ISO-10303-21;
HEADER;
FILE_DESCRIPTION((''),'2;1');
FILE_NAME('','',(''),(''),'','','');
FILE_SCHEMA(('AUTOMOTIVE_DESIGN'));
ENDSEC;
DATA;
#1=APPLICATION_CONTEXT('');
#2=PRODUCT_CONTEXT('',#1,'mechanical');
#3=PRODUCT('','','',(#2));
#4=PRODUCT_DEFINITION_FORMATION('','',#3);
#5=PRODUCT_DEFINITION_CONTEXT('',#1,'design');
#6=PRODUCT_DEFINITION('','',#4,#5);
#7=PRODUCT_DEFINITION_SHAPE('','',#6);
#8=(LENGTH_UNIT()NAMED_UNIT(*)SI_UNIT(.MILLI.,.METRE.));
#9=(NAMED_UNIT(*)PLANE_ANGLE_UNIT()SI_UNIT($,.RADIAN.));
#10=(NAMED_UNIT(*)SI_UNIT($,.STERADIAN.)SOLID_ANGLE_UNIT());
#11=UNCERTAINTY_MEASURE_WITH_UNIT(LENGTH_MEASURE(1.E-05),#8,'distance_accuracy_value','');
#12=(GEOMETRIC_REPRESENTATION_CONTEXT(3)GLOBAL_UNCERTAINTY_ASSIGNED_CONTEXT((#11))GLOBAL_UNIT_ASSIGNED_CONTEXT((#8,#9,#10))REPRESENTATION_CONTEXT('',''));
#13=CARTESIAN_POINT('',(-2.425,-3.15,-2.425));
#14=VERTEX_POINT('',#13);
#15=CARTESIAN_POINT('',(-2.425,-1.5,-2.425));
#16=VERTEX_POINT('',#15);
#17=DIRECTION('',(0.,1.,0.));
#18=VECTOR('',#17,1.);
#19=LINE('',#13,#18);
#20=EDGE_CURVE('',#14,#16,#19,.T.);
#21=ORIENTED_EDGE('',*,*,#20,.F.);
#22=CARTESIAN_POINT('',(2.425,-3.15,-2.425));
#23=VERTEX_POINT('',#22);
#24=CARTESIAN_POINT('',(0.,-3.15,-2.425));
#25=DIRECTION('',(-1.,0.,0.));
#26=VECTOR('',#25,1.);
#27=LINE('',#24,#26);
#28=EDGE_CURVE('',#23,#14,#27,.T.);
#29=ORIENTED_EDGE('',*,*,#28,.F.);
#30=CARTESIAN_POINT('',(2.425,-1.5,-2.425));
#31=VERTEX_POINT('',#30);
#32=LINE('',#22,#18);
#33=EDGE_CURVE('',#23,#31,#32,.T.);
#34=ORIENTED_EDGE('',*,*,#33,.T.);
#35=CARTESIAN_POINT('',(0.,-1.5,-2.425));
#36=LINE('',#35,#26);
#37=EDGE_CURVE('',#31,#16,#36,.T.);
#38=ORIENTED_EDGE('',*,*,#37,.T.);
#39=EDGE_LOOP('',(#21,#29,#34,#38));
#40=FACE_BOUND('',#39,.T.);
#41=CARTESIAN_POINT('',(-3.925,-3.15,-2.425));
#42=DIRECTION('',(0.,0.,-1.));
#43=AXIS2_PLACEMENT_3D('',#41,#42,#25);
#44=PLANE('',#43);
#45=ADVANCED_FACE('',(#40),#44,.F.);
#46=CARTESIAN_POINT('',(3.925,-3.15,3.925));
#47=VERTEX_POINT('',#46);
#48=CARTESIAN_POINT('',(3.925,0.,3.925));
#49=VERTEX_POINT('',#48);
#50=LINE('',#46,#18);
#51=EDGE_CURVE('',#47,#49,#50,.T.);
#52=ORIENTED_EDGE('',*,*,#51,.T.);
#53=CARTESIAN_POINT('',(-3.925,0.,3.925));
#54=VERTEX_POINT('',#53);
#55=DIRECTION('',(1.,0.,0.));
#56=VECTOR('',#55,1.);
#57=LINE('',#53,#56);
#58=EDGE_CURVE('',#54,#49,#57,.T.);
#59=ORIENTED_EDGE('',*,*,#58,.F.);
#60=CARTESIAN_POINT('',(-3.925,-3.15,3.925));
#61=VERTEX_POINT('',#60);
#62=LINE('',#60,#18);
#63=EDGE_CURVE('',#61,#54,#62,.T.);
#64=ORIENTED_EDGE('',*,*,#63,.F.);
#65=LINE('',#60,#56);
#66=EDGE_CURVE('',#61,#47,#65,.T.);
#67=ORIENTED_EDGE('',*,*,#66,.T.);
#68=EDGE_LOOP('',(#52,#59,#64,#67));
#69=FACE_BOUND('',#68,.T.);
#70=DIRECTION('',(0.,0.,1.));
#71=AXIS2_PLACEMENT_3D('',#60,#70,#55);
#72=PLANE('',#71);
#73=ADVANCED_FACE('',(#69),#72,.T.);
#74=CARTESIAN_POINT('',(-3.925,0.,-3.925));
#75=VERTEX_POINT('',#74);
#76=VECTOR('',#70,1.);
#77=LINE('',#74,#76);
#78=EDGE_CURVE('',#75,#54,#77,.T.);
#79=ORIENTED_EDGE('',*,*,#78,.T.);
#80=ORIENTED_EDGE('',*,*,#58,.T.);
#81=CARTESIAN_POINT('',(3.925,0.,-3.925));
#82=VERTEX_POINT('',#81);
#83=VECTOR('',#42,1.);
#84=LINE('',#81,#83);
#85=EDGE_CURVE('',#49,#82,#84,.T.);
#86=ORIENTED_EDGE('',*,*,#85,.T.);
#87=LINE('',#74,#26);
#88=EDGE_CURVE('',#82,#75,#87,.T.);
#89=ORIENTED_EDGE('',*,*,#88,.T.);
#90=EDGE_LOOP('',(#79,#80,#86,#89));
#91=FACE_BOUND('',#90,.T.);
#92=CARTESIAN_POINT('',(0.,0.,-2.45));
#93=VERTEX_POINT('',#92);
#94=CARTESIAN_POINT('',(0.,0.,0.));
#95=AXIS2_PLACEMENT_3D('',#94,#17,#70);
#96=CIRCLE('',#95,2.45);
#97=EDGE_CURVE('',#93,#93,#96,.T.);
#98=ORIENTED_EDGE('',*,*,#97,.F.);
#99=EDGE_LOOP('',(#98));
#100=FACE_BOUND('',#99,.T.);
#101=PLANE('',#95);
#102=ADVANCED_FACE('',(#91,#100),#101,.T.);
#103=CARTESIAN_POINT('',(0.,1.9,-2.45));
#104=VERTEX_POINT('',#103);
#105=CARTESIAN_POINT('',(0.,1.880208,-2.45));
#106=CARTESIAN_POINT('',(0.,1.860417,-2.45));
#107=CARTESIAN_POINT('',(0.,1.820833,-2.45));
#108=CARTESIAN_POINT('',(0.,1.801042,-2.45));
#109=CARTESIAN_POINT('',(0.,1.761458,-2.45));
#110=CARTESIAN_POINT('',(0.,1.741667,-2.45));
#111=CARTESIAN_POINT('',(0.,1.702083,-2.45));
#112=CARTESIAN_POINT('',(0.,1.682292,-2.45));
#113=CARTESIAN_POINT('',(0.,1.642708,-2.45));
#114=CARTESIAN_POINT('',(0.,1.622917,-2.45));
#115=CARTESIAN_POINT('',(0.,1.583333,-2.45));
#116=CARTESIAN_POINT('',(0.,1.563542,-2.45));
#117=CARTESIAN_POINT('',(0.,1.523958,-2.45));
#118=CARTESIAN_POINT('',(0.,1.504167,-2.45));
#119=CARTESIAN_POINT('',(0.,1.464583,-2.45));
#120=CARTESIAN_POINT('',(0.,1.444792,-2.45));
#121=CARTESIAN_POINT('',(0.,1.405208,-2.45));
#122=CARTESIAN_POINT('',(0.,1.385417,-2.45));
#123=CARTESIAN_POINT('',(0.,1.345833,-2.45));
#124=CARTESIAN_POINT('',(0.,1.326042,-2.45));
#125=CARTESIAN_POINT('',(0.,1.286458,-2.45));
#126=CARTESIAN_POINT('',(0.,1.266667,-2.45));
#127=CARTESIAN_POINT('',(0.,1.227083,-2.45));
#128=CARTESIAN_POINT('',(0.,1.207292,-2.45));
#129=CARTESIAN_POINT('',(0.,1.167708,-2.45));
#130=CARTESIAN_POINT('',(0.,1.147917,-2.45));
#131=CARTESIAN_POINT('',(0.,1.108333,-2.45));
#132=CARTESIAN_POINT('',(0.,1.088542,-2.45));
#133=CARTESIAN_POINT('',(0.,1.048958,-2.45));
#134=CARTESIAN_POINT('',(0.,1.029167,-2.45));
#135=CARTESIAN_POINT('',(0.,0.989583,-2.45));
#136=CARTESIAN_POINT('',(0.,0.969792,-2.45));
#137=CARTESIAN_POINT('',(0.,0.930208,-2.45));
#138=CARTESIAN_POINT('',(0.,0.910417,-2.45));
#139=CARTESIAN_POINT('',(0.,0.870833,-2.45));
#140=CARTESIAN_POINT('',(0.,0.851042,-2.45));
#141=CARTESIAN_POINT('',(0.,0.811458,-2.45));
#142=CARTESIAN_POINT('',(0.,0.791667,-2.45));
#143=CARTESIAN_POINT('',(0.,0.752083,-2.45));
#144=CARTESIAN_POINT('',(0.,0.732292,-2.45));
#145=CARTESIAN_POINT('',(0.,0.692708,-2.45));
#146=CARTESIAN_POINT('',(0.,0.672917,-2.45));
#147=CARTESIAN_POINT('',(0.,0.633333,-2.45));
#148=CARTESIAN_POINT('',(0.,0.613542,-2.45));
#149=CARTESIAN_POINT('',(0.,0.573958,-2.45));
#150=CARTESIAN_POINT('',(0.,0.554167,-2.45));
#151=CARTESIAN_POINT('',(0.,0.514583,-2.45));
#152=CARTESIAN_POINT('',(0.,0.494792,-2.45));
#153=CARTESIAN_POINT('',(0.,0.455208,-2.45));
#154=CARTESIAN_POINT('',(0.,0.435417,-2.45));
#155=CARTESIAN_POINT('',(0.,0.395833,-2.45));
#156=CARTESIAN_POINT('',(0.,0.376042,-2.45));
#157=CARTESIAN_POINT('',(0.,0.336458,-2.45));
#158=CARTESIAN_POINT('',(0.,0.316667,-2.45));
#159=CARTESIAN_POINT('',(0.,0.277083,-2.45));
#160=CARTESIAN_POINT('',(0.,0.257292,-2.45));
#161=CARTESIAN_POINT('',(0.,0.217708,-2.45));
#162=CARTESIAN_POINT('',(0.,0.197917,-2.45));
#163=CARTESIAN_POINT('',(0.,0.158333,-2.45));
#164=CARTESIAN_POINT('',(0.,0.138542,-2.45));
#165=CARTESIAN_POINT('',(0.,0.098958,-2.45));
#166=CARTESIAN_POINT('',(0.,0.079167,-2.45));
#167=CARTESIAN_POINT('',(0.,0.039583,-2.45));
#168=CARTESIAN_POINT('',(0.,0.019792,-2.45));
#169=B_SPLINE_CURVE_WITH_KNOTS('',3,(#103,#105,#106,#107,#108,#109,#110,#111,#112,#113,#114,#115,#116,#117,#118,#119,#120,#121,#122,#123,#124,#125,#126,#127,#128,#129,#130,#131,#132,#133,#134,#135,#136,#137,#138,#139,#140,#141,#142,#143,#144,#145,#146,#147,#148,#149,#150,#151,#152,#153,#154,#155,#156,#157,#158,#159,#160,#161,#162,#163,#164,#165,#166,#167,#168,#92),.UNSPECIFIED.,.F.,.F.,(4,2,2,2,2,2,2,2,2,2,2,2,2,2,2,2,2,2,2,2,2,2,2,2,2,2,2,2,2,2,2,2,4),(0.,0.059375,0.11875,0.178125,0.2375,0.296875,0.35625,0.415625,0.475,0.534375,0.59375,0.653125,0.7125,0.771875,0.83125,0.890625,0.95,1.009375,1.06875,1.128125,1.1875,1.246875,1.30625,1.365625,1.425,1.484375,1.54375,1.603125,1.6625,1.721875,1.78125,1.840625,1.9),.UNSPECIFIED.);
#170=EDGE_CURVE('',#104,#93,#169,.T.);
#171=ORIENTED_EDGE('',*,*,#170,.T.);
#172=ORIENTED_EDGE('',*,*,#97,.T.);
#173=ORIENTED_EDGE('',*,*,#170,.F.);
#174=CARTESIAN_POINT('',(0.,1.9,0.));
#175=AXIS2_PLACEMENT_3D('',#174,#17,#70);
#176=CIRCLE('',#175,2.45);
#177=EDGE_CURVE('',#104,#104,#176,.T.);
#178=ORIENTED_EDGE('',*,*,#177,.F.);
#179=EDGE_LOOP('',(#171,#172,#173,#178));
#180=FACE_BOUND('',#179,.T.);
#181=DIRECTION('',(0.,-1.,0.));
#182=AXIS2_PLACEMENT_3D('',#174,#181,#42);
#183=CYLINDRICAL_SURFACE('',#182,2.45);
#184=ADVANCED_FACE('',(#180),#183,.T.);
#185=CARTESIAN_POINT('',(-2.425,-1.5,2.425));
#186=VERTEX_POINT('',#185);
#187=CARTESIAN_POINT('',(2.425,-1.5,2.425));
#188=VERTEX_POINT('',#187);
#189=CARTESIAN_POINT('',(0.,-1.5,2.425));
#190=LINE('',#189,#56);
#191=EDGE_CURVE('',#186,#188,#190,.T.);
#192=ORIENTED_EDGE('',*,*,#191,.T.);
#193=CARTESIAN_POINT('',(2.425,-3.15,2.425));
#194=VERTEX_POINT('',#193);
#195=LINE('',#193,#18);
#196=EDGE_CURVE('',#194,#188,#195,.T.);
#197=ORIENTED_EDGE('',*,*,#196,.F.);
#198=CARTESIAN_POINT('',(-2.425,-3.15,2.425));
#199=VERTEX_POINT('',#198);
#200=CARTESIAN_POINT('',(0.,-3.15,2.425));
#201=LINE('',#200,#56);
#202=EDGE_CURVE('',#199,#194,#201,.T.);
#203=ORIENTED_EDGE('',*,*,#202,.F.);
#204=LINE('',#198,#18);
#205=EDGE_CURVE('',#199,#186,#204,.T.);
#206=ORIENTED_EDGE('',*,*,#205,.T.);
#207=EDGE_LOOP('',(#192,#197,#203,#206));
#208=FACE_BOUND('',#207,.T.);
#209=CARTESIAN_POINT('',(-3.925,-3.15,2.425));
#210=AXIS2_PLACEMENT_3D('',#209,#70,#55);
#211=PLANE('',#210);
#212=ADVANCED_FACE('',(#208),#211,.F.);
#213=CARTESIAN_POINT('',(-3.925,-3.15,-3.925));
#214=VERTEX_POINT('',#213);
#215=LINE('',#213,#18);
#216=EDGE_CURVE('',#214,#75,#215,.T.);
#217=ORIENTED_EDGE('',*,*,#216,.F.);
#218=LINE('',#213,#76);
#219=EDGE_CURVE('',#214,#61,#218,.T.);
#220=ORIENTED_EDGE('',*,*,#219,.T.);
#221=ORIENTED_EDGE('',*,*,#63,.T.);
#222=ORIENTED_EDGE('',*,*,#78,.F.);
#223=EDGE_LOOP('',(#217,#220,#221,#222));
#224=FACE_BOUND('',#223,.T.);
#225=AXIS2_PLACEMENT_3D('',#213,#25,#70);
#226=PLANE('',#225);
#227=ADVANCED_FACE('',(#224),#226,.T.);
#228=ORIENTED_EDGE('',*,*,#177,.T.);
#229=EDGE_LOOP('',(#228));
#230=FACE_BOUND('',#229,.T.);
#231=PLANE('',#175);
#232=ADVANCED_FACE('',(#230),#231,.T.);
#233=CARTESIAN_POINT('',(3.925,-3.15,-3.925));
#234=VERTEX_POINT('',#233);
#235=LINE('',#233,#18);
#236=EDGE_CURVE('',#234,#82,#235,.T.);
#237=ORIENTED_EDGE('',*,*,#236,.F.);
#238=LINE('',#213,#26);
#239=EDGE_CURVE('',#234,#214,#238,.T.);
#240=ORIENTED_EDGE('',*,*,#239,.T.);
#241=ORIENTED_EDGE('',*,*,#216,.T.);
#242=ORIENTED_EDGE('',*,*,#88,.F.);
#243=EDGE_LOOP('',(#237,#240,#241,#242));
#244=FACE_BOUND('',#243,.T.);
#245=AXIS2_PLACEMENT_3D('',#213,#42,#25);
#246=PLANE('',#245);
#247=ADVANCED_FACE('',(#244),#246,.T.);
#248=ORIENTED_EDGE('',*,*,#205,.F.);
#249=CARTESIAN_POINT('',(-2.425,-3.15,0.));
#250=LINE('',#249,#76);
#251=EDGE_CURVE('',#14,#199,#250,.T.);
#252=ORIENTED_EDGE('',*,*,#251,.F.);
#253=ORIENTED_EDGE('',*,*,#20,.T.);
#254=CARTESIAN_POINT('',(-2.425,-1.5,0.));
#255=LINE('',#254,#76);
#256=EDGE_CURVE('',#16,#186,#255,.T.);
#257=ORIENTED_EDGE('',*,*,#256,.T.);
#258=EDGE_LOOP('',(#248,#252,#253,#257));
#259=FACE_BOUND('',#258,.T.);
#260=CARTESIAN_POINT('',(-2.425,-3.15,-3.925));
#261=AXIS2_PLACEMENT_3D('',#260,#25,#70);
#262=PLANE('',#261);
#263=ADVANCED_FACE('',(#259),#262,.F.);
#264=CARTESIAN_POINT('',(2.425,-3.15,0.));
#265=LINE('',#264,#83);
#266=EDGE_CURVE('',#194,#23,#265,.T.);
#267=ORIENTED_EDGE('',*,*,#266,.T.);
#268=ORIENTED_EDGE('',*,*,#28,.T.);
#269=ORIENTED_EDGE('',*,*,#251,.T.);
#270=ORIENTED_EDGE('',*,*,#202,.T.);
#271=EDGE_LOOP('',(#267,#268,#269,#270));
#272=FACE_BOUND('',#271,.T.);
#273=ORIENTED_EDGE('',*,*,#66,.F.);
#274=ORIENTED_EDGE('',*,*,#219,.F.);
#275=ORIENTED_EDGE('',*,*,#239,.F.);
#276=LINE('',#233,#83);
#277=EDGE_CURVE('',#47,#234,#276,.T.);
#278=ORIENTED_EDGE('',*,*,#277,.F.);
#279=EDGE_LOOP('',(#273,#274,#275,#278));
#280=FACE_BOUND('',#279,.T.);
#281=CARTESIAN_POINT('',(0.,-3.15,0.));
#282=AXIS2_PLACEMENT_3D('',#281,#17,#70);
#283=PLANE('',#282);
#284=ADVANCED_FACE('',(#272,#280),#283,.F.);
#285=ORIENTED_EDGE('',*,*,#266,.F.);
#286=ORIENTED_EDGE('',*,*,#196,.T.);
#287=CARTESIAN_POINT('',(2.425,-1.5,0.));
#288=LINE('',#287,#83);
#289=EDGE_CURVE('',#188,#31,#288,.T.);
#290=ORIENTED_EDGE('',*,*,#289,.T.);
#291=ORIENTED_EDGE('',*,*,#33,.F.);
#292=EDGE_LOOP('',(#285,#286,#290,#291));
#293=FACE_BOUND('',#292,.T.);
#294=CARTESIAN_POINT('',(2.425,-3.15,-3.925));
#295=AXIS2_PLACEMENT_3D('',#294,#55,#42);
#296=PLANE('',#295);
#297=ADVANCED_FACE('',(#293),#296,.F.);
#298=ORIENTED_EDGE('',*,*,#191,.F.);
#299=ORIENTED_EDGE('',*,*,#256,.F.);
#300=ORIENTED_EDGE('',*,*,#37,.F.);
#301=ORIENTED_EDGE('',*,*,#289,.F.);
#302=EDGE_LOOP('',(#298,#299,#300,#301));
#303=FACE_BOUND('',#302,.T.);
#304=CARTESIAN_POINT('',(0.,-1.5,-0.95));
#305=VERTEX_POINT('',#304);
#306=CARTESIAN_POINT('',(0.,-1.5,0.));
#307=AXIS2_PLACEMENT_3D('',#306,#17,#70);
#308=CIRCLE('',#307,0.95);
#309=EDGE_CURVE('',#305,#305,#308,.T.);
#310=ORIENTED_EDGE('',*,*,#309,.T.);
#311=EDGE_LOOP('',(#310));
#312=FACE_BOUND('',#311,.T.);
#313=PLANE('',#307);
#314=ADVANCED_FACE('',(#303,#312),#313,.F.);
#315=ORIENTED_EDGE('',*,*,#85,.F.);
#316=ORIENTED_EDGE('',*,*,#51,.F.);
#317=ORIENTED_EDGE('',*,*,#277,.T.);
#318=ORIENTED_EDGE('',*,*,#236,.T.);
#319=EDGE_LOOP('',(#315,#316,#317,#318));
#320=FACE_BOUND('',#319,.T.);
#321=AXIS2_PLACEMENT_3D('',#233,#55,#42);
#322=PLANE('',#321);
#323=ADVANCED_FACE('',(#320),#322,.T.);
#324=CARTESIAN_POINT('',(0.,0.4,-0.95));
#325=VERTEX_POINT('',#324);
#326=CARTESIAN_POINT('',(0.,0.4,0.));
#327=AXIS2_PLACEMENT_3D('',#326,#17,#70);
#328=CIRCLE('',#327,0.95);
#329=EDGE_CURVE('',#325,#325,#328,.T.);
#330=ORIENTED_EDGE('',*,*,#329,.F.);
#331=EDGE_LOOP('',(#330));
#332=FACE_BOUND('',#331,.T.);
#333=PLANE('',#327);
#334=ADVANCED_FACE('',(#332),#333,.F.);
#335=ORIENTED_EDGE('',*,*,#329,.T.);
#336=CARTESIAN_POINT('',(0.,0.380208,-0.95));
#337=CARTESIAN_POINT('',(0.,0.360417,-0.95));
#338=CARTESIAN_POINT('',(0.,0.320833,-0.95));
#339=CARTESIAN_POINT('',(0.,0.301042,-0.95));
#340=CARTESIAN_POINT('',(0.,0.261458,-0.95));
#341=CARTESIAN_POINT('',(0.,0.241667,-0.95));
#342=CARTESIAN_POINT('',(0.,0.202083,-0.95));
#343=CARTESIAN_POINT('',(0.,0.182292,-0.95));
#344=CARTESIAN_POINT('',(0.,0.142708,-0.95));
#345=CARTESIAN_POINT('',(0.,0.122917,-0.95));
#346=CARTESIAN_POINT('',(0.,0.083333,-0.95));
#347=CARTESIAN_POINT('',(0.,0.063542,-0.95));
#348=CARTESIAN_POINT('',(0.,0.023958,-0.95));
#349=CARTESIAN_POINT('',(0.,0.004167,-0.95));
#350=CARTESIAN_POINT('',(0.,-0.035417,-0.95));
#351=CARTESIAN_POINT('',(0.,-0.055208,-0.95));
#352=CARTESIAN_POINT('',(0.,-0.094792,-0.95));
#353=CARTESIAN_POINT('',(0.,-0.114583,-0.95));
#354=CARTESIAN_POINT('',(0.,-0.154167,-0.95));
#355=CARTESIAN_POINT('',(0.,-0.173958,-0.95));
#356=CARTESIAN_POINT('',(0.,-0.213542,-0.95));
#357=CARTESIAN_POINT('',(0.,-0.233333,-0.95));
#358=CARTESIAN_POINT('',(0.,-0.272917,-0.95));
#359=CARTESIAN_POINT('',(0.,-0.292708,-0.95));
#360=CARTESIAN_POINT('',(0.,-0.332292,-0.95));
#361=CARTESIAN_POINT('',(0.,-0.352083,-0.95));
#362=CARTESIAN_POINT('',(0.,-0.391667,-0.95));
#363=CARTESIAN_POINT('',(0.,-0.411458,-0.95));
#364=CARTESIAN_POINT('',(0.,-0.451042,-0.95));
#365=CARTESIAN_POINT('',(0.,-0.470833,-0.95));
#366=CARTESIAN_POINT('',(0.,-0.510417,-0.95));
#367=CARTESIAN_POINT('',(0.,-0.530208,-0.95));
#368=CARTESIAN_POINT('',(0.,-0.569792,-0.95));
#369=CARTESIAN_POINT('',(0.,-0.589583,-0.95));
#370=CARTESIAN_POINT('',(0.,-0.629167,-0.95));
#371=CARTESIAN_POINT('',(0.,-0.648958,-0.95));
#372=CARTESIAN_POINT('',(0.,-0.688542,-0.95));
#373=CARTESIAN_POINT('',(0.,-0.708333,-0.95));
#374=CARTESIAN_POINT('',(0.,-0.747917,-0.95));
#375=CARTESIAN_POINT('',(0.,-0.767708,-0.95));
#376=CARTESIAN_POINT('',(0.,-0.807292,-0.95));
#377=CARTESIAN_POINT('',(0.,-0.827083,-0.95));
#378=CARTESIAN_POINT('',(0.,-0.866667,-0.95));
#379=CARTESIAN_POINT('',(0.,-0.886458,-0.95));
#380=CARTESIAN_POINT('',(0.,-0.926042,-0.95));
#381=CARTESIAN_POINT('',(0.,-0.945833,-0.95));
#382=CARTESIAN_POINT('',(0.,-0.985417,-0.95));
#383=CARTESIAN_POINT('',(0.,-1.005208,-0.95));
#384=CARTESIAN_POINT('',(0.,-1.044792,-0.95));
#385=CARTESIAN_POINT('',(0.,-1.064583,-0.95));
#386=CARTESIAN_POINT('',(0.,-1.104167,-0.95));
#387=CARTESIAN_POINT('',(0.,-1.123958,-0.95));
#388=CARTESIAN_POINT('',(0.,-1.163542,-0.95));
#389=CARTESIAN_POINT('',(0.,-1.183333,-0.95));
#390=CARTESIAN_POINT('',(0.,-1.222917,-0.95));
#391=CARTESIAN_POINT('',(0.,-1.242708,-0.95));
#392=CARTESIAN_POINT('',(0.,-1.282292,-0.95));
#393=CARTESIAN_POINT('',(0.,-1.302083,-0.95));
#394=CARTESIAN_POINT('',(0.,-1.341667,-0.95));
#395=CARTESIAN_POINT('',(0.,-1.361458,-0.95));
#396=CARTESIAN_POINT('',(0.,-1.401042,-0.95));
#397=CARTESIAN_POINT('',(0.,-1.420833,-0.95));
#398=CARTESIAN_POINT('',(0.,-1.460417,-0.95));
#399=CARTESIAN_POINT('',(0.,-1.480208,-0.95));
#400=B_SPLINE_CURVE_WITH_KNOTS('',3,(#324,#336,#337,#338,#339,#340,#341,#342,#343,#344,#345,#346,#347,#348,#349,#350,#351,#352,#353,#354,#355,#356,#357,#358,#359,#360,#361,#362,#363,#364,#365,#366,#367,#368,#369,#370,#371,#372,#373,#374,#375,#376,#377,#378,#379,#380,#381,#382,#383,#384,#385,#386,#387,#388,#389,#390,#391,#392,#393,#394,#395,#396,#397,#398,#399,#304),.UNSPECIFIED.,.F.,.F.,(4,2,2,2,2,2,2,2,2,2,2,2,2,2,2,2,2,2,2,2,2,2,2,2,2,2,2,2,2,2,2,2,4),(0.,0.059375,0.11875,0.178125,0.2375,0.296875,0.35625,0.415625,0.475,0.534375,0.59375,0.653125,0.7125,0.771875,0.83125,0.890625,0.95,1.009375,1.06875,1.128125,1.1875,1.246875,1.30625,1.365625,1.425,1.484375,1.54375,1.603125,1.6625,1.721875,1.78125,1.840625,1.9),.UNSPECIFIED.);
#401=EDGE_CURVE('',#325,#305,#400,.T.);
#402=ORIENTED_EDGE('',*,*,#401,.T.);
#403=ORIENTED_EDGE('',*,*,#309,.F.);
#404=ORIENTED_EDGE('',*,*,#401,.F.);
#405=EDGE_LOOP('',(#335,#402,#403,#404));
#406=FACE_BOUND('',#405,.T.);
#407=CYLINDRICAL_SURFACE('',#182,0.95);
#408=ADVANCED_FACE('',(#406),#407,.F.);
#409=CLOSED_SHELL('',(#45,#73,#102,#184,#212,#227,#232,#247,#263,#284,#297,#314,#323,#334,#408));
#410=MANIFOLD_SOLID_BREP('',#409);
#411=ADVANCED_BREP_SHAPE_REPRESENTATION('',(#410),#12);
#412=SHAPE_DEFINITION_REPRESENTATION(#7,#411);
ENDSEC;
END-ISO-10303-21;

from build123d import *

# Parameters (mm, degrees)
SKETCH1_W           = 7.85
SKETCH1_H           = 7.85
BOSS_EXTRUDE1_DEPTH = 3.15
SKETCH2_R           = 2.45
BOSS_EXTRUDE2_DEPTH = 1.9
SHELL1_T            = -1.5


with BuildPart() as part:
    # Sketch1 → Boss-Extrude1 (new body)
    with BuildSketch(Plane(origin=(0, 0, 0), x_dir=(1, 0, 0), z_dir=(0, 1, 0))):
        Rectangle(SKETCH1_W, SKETCH1_H)
    extrude(amount=-BOSS_EXTRUDE1_DEPTH)

    # Sketch2 → Boss-Extrude2 (add)
    with BuildSketch(Plane(origin=(0, 0, 0), x_dir=(1, 0, 0), z_dir=(0, 1, 0))):
        with Locations(Location((0, 0, 0), (0, 0, 90))):
            Circle(SKETCH2_R)
    extrude(amount=BOSS_EXTRUDE2_DEPTH)

    # Shell1
    shell1_openings = [part.faces().sort_by_distance(p)[0] for p in [
        (0, -3.15, 0),
    ]]
    offset(amount=SHELL1_T, openings=shell1_openings, kind=Kind.INTERSECTION)


solid = part.part
